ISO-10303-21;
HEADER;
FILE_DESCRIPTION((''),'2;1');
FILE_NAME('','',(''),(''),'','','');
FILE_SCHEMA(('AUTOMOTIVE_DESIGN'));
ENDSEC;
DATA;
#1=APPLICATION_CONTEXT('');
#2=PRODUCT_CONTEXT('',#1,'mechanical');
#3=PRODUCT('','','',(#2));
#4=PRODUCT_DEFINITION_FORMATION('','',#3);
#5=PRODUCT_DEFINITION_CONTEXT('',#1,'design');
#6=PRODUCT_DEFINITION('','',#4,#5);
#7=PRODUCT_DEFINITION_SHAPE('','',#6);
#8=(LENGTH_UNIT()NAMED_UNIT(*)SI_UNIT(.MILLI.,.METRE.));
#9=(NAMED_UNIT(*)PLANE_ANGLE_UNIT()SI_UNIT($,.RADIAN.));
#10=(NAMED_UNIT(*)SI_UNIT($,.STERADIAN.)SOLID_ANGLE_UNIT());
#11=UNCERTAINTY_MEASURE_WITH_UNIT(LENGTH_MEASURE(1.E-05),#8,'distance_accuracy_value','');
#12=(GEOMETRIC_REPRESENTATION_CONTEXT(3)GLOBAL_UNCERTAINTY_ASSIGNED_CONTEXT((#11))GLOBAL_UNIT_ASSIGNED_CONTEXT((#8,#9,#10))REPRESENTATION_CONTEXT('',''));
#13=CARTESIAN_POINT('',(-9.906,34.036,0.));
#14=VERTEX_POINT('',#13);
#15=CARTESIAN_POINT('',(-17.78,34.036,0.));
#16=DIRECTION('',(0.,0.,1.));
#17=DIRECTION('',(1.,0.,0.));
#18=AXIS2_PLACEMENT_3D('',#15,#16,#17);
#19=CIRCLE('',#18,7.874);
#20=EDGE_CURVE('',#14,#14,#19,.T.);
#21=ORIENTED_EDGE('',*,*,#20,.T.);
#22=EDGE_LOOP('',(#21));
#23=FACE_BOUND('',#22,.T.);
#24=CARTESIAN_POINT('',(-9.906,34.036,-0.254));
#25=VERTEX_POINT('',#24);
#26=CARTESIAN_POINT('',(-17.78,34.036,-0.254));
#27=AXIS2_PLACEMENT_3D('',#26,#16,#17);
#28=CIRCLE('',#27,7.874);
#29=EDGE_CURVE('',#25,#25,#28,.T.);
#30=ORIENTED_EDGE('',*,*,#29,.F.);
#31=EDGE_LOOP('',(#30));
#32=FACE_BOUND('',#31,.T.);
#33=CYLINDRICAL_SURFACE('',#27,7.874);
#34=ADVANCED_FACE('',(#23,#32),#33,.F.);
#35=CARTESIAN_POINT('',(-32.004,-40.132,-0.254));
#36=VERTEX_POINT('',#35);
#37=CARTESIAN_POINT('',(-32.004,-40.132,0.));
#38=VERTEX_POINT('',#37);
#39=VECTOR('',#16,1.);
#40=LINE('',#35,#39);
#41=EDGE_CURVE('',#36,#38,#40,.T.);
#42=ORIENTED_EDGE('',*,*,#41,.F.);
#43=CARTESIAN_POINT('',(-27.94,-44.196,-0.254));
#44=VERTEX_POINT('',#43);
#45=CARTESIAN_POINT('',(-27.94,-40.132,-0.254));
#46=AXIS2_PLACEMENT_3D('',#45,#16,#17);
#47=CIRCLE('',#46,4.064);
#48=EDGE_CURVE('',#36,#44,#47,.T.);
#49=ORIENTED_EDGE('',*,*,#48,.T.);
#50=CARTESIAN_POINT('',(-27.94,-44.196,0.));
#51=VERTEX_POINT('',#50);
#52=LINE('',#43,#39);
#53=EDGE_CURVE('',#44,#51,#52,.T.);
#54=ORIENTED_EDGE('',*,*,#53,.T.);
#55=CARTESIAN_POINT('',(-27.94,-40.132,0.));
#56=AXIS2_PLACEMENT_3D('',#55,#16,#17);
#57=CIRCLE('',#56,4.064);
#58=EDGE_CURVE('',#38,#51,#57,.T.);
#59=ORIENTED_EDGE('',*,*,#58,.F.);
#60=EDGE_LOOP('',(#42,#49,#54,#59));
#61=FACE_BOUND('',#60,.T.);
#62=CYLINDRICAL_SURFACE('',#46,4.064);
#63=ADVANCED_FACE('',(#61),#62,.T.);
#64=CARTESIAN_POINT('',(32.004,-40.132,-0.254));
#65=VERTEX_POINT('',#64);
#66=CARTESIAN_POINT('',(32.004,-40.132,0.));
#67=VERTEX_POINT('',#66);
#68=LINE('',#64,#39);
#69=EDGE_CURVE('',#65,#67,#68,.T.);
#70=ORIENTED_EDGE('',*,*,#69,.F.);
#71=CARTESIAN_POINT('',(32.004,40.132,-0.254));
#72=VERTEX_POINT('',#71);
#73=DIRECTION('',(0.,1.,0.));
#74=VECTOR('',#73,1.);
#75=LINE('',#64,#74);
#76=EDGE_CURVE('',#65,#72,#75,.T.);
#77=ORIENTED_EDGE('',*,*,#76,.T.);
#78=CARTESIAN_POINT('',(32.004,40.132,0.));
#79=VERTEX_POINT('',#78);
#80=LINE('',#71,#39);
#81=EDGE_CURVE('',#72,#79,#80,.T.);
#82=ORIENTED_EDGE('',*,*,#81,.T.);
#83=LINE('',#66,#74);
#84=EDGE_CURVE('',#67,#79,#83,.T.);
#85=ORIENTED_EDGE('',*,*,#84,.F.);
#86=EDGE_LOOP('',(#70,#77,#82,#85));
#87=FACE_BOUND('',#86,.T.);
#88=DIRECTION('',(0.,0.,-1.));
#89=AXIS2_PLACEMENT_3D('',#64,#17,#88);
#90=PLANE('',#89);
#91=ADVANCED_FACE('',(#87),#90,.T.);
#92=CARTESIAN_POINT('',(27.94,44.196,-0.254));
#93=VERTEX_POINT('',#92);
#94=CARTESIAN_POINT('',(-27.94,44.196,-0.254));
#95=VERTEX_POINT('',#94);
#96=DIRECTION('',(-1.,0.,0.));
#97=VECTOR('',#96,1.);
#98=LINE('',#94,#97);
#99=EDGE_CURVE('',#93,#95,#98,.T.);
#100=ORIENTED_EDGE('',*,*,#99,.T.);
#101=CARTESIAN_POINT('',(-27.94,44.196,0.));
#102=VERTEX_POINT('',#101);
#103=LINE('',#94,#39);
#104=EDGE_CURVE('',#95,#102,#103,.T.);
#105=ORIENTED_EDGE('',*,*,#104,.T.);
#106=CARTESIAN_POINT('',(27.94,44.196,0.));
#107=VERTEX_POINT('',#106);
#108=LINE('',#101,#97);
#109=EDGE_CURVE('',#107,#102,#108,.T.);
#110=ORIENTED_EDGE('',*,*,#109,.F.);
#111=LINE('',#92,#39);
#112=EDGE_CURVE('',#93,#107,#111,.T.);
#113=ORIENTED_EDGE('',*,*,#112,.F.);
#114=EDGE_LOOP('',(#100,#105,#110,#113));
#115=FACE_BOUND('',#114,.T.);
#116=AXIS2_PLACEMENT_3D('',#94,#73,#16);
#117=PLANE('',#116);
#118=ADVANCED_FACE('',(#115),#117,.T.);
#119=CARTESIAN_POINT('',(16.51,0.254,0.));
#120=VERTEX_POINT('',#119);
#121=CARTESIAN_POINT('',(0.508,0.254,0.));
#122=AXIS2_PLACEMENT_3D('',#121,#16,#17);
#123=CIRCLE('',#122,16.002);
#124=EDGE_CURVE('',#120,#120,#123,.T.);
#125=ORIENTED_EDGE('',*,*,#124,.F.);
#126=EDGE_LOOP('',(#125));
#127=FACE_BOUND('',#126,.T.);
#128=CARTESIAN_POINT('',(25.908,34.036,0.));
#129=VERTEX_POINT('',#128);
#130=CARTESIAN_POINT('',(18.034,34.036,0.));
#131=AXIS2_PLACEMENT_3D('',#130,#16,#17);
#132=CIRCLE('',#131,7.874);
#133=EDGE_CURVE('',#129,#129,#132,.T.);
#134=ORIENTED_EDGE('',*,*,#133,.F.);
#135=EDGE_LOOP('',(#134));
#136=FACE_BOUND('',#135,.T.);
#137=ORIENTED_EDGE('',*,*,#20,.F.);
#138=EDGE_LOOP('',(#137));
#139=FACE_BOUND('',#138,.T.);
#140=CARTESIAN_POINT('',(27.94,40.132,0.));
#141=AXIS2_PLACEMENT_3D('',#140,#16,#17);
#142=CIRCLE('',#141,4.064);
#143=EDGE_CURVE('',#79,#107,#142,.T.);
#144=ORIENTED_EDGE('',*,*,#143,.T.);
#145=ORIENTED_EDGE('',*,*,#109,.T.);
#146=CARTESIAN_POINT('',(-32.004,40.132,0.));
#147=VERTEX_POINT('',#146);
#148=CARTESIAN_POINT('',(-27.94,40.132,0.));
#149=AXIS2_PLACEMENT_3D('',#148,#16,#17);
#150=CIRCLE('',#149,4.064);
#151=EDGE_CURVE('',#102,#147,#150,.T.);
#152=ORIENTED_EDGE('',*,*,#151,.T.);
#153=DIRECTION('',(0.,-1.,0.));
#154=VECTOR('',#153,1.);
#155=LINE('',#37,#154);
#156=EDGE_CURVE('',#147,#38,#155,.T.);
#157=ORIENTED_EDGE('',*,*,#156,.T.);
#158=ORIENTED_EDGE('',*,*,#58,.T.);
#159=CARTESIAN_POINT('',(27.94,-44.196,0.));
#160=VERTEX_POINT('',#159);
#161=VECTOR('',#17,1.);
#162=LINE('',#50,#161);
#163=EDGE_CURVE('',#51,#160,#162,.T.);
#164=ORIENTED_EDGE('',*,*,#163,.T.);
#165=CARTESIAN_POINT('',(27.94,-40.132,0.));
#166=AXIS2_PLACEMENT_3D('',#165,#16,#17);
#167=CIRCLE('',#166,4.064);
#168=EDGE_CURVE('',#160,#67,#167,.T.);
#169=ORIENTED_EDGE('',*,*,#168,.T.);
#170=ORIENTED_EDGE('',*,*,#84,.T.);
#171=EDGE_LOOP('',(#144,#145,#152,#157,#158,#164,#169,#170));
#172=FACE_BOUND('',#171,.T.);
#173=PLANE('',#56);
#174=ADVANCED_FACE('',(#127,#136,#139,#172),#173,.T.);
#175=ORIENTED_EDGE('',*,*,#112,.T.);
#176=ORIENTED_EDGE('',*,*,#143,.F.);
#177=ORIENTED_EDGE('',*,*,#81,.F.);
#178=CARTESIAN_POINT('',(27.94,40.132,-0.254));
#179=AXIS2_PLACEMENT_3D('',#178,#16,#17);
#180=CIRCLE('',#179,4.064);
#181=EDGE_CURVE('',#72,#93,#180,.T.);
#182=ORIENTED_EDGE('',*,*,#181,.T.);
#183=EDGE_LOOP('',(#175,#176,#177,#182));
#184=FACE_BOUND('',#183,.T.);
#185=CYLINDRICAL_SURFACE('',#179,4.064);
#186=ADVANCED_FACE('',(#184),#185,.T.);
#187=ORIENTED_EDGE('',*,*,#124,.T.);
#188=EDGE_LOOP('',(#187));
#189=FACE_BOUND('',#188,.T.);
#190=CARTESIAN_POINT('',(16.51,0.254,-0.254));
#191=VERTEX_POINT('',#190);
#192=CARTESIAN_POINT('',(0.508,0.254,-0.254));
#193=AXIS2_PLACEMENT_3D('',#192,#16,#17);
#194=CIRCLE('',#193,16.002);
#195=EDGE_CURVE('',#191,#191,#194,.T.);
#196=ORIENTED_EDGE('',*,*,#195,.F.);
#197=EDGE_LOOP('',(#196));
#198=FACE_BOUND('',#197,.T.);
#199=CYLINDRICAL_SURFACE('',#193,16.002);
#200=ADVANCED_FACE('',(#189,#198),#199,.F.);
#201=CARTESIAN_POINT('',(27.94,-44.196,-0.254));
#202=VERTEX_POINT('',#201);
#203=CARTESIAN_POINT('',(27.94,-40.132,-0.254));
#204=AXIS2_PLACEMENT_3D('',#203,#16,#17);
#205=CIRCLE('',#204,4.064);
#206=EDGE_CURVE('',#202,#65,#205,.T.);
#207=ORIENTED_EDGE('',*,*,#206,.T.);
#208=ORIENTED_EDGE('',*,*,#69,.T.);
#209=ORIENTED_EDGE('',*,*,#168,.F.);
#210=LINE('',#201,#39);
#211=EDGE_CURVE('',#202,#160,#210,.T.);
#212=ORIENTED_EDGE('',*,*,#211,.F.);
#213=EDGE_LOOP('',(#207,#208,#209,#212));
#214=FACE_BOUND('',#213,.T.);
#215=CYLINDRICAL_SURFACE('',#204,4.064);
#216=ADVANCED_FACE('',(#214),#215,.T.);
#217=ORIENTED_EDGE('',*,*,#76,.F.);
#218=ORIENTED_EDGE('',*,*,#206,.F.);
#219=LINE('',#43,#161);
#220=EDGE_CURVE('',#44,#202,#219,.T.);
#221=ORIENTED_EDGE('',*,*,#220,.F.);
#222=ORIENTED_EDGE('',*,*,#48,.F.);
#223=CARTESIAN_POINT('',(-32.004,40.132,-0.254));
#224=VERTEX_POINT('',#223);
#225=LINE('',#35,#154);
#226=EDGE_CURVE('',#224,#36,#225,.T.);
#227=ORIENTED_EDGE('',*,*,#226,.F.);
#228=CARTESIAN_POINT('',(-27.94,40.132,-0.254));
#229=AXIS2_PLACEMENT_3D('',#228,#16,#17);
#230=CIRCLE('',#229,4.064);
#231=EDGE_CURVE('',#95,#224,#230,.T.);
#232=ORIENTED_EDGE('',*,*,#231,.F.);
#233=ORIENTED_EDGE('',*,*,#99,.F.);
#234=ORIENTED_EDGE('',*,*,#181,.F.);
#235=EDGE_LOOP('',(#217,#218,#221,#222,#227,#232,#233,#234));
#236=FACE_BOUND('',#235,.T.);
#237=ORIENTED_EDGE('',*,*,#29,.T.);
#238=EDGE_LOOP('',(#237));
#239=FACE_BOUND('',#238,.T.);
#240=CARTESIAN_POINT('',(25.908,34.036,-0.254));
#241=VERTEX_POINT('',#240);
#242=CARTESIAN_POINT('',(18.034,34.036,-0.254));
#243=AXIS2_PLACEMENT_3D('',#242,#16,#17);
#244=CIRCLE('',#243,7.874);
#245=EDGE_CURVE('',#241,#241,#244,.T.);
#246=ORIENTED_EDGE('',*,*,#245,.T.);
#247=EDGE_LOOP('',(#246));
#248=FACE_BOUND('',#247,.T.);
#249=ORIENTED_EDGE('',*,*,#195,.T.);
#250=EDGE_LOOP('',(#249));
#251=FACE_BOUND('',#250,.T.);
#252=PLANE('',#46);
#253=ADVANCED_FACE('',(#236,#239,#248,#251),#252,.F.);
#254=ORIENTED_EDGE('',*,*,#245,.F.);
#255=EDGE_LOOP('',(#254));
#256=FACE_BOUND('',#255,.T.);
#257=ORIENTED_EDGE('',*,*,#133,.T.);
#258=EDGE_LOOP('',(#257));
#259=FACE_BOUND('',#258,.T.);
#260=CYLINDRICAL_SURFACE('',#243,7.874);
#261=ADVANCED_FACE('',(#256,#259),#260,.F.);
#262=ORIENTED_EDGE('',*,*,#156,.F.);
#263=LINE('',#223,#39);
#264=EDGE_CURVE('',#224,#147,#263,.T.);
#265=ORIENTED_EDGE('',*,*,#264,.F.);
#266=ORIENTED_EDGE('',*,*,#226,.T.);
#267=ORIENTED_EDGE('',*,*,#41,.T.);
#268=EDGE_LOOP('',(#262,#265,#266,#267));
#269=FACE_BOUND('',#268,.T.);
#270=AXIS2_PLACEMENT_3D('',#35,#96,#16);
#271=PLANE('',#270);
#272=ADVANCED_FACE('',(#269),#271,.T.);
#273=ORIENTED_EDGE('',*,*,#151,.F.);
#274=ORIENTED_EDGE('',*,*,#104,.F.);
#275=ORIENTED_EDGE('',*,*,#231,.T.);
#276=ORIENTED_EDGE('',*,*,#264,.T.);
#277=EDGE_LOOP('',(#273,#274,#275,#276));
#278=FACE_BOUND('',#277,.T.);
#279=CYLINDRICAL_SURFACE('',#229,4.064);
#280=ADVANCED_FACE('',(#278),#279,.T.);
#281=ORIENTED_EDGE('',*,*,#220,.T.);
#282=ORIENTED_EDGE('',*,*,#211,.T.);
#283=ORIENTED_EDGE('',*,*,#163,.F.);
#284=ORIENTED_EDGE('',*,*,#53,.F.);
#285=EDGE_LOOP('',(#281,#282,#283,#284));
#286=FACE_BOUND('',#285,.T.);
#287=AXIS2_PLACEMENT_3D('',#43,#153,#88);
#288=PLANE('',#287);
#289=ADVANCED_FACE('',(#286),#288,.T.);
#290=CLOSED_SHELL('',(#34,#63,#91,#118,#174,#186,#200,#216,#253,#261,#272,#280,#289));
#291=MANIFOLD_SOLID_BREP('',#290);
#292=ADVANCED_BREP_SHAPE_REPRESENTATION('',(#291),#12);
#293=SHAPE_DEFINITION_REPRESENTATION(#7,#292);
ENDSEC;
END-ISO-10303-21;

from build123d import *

# Parameters (mm, degrees)
BOSS_EXTRUDE1_DEPTH = 0.254
SKETCH2_R           = 7.874
CUT_EXTRUDE1_DEPTH  = 0.254
SKETCH3_R           = 16.002
CUT_EXTRUDE2_DEPTH  = 0.254


with BuildPart() as part:
    # Sketch1 → Boss-Extrude1 (new body)
    with BuildSketch(Plane.XY):
        with BuildLine():
            Line((-27.94, -44.196), (27.94, -44.196))
            ThreePointArc((27.94, -44.196), (30.813681959, -43.005681959), (32.004, -40.132))
            Line((32.004, -40.132), (32.004, 40.132))
            ThreePointArc((32.004, 40.132), (30.813681959, 43.005681959), (27.94, 44.196))
            Line((27.94, 44.196), (-27.94, 44.196))
            ThreePointArc((-27.94, 44.196), (-30.813681959, 43.005681959), (-32.004, 40.132))
            Line((-32.004, 40.132), (-32.004, -40.132))
            ThreePointArc((-32.004, -40.132), (-30.813681959, -43.005681959), (-27.94, -44.196))
        make_face()
    extrude(amount=-BOSS_EXTRUDE1_DEPTH)

    # Sketch2 → Cut-Extrude1 (cut)
    with BuildSketch(Plane.XY):
        with Locations((18.034, 34.036)):
            Circle(SKETCH2_R)
        with Locations((-17.78, 34.036)):
            Circle(SKETCH2_R)
    extrude(amount=-CUT_EXTRUDE1_DEPTH, mode=Mode.SUBTRACT)

    # Sketch3 → Cut-Extrude2 (cut)
    with BuildSketch(Plane.XY):
        with Locations((0.508, 0.254)):
            Circle(SKETCH3_R)
    extrude(amount=-CUT_EXTRUDE2_DEPTH, mode=Mode.SUBTRACT)


solid = part.part
